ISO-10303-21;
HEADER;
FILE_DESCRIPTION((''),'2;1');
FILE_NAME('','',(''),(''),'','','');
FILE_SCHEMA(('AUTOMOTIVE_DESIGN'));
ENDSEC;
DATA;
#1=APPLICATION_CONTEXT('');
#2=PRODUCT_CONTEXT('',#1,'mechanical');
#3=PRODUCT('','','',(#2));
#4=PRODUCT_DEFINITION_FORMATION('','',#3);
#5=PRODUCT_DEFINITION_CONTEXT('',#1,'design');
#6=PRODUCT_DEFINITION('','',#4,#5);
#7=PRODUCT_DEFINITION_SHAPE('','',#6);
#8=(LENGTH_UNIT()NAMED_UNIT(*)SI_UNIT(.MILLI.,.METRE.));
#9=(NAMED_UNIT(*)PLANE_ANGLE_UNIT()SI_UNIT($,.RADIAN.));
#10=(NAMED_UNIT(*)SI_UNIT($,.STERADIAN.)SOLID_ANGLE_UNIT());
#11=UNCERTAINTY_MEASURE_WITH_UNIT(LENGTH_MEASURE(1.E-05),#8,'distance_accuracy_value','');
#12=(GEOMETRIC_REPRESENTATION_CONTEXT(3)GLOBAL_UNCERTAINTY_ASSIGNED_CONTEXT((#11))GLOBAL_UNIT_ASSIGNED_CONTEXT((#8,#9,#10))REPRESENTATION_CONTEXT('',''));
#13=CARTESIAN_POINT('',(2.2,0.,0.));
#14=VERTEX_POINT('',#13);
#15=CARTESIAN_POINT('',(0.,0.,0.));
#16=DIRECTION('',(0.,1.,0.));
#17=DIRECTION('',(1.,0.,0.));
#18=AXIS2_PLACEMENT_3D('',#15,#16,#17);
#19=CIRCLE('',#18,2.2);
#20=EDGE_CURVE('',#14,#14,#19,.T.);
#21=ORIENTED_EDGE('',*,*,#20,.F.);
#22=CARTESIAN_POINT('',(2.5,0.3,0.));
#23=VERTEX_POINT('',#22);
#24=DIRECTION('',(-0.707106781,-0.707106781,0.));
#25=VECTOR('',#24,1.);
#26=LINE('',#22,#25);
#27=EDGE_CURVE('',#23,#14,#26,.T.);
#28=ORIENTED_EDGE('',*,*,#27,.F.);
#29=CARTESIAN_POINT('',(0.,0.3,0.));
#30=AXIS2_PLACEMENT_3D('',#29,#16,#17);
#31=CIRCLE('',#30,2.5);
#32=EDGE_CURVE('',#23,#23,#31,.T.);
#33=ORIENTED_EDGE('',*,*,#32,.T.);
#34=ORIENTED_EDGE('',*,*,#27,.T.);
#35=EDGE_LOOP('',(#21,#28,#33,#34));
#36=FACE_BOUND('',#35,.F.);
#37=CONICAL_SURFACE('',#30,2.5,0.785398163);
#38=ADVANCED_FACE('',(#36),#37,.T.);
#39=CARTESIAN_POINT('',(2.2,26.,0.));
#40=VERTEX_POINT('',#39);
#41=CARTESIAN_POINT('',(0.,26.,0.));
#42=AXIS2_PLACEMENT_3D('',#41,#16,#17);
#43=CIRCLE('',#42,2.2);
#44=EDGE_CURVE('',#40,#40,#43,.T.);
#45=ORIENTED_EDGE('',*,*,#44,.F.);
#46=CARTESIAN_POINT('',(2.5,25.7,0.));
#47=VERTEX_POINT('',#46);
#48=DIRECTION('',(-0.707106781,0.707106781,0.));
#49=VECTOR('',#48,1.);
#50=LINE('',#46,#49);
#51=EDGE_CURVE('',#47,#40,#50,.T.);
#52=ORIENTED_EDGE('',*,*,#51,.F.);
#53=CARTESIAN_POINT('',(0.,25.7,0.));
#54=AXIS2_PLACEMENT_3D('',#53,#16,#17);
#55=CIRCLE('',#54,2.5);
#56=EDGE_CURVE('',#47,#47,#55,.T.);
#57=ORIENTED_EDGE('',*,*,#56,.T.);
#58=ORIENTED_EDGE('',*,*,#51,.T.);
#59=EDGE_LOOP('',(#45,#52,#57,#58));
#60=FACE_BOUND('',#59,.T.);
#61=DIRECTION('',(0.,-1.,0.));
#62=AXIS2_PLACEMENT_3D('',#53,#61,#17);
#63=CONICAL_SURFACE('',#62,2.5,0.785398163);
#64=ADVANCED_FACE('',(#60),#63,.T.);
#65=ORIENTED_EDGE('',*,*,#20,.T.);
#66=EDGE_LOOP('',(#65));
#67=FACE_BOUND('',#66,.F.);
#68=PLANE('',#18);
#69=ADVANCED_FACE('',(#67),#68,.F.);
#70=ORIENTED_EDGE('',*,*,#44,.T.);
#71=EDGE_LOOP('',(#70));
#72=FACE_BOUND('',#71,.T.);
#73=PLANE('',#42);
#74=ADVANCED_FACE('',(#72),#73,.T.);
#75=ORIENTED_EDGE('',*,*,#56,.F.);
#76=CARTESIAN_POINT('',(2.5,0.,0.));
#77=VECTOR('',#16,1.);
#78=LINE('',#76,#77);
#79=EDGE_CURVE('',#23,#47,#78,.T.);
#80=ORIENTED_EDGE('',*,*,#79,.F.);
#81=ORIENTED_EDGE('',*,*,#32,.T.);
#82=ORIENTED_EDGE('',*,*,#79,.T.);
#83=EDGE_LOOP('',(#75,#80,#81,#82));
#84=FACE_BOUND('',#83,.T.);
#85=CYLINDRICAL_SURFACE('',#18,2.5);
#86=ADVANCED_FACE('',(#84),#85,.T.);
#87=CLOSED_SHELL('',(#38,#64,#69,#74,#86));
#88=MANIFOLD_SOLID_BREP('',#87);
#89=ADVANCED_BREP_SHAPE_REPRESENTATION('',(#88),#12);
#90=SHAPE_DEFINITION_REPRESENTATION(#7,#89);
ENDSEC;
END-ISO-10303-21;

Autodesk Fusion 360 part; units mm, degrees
cylinder "CylinderPrimitive1" add diameter 5 height 26 placed x (1, 0, 0) y (0, 0, -1) z (0, 1, 0) at (0, 0, 0)
chamfer "Chamfer1" distance 0.3 angle 45 2 edges at (-2.3308, 26, 0.904) (-2.3308, 0, -0.904)
equation "Diameter = 5 mm"
equation "Length = 26 mm"
equation "d3 = Length"
equation "d4 = Diameter"
properties part number "5x26mm Pin"
